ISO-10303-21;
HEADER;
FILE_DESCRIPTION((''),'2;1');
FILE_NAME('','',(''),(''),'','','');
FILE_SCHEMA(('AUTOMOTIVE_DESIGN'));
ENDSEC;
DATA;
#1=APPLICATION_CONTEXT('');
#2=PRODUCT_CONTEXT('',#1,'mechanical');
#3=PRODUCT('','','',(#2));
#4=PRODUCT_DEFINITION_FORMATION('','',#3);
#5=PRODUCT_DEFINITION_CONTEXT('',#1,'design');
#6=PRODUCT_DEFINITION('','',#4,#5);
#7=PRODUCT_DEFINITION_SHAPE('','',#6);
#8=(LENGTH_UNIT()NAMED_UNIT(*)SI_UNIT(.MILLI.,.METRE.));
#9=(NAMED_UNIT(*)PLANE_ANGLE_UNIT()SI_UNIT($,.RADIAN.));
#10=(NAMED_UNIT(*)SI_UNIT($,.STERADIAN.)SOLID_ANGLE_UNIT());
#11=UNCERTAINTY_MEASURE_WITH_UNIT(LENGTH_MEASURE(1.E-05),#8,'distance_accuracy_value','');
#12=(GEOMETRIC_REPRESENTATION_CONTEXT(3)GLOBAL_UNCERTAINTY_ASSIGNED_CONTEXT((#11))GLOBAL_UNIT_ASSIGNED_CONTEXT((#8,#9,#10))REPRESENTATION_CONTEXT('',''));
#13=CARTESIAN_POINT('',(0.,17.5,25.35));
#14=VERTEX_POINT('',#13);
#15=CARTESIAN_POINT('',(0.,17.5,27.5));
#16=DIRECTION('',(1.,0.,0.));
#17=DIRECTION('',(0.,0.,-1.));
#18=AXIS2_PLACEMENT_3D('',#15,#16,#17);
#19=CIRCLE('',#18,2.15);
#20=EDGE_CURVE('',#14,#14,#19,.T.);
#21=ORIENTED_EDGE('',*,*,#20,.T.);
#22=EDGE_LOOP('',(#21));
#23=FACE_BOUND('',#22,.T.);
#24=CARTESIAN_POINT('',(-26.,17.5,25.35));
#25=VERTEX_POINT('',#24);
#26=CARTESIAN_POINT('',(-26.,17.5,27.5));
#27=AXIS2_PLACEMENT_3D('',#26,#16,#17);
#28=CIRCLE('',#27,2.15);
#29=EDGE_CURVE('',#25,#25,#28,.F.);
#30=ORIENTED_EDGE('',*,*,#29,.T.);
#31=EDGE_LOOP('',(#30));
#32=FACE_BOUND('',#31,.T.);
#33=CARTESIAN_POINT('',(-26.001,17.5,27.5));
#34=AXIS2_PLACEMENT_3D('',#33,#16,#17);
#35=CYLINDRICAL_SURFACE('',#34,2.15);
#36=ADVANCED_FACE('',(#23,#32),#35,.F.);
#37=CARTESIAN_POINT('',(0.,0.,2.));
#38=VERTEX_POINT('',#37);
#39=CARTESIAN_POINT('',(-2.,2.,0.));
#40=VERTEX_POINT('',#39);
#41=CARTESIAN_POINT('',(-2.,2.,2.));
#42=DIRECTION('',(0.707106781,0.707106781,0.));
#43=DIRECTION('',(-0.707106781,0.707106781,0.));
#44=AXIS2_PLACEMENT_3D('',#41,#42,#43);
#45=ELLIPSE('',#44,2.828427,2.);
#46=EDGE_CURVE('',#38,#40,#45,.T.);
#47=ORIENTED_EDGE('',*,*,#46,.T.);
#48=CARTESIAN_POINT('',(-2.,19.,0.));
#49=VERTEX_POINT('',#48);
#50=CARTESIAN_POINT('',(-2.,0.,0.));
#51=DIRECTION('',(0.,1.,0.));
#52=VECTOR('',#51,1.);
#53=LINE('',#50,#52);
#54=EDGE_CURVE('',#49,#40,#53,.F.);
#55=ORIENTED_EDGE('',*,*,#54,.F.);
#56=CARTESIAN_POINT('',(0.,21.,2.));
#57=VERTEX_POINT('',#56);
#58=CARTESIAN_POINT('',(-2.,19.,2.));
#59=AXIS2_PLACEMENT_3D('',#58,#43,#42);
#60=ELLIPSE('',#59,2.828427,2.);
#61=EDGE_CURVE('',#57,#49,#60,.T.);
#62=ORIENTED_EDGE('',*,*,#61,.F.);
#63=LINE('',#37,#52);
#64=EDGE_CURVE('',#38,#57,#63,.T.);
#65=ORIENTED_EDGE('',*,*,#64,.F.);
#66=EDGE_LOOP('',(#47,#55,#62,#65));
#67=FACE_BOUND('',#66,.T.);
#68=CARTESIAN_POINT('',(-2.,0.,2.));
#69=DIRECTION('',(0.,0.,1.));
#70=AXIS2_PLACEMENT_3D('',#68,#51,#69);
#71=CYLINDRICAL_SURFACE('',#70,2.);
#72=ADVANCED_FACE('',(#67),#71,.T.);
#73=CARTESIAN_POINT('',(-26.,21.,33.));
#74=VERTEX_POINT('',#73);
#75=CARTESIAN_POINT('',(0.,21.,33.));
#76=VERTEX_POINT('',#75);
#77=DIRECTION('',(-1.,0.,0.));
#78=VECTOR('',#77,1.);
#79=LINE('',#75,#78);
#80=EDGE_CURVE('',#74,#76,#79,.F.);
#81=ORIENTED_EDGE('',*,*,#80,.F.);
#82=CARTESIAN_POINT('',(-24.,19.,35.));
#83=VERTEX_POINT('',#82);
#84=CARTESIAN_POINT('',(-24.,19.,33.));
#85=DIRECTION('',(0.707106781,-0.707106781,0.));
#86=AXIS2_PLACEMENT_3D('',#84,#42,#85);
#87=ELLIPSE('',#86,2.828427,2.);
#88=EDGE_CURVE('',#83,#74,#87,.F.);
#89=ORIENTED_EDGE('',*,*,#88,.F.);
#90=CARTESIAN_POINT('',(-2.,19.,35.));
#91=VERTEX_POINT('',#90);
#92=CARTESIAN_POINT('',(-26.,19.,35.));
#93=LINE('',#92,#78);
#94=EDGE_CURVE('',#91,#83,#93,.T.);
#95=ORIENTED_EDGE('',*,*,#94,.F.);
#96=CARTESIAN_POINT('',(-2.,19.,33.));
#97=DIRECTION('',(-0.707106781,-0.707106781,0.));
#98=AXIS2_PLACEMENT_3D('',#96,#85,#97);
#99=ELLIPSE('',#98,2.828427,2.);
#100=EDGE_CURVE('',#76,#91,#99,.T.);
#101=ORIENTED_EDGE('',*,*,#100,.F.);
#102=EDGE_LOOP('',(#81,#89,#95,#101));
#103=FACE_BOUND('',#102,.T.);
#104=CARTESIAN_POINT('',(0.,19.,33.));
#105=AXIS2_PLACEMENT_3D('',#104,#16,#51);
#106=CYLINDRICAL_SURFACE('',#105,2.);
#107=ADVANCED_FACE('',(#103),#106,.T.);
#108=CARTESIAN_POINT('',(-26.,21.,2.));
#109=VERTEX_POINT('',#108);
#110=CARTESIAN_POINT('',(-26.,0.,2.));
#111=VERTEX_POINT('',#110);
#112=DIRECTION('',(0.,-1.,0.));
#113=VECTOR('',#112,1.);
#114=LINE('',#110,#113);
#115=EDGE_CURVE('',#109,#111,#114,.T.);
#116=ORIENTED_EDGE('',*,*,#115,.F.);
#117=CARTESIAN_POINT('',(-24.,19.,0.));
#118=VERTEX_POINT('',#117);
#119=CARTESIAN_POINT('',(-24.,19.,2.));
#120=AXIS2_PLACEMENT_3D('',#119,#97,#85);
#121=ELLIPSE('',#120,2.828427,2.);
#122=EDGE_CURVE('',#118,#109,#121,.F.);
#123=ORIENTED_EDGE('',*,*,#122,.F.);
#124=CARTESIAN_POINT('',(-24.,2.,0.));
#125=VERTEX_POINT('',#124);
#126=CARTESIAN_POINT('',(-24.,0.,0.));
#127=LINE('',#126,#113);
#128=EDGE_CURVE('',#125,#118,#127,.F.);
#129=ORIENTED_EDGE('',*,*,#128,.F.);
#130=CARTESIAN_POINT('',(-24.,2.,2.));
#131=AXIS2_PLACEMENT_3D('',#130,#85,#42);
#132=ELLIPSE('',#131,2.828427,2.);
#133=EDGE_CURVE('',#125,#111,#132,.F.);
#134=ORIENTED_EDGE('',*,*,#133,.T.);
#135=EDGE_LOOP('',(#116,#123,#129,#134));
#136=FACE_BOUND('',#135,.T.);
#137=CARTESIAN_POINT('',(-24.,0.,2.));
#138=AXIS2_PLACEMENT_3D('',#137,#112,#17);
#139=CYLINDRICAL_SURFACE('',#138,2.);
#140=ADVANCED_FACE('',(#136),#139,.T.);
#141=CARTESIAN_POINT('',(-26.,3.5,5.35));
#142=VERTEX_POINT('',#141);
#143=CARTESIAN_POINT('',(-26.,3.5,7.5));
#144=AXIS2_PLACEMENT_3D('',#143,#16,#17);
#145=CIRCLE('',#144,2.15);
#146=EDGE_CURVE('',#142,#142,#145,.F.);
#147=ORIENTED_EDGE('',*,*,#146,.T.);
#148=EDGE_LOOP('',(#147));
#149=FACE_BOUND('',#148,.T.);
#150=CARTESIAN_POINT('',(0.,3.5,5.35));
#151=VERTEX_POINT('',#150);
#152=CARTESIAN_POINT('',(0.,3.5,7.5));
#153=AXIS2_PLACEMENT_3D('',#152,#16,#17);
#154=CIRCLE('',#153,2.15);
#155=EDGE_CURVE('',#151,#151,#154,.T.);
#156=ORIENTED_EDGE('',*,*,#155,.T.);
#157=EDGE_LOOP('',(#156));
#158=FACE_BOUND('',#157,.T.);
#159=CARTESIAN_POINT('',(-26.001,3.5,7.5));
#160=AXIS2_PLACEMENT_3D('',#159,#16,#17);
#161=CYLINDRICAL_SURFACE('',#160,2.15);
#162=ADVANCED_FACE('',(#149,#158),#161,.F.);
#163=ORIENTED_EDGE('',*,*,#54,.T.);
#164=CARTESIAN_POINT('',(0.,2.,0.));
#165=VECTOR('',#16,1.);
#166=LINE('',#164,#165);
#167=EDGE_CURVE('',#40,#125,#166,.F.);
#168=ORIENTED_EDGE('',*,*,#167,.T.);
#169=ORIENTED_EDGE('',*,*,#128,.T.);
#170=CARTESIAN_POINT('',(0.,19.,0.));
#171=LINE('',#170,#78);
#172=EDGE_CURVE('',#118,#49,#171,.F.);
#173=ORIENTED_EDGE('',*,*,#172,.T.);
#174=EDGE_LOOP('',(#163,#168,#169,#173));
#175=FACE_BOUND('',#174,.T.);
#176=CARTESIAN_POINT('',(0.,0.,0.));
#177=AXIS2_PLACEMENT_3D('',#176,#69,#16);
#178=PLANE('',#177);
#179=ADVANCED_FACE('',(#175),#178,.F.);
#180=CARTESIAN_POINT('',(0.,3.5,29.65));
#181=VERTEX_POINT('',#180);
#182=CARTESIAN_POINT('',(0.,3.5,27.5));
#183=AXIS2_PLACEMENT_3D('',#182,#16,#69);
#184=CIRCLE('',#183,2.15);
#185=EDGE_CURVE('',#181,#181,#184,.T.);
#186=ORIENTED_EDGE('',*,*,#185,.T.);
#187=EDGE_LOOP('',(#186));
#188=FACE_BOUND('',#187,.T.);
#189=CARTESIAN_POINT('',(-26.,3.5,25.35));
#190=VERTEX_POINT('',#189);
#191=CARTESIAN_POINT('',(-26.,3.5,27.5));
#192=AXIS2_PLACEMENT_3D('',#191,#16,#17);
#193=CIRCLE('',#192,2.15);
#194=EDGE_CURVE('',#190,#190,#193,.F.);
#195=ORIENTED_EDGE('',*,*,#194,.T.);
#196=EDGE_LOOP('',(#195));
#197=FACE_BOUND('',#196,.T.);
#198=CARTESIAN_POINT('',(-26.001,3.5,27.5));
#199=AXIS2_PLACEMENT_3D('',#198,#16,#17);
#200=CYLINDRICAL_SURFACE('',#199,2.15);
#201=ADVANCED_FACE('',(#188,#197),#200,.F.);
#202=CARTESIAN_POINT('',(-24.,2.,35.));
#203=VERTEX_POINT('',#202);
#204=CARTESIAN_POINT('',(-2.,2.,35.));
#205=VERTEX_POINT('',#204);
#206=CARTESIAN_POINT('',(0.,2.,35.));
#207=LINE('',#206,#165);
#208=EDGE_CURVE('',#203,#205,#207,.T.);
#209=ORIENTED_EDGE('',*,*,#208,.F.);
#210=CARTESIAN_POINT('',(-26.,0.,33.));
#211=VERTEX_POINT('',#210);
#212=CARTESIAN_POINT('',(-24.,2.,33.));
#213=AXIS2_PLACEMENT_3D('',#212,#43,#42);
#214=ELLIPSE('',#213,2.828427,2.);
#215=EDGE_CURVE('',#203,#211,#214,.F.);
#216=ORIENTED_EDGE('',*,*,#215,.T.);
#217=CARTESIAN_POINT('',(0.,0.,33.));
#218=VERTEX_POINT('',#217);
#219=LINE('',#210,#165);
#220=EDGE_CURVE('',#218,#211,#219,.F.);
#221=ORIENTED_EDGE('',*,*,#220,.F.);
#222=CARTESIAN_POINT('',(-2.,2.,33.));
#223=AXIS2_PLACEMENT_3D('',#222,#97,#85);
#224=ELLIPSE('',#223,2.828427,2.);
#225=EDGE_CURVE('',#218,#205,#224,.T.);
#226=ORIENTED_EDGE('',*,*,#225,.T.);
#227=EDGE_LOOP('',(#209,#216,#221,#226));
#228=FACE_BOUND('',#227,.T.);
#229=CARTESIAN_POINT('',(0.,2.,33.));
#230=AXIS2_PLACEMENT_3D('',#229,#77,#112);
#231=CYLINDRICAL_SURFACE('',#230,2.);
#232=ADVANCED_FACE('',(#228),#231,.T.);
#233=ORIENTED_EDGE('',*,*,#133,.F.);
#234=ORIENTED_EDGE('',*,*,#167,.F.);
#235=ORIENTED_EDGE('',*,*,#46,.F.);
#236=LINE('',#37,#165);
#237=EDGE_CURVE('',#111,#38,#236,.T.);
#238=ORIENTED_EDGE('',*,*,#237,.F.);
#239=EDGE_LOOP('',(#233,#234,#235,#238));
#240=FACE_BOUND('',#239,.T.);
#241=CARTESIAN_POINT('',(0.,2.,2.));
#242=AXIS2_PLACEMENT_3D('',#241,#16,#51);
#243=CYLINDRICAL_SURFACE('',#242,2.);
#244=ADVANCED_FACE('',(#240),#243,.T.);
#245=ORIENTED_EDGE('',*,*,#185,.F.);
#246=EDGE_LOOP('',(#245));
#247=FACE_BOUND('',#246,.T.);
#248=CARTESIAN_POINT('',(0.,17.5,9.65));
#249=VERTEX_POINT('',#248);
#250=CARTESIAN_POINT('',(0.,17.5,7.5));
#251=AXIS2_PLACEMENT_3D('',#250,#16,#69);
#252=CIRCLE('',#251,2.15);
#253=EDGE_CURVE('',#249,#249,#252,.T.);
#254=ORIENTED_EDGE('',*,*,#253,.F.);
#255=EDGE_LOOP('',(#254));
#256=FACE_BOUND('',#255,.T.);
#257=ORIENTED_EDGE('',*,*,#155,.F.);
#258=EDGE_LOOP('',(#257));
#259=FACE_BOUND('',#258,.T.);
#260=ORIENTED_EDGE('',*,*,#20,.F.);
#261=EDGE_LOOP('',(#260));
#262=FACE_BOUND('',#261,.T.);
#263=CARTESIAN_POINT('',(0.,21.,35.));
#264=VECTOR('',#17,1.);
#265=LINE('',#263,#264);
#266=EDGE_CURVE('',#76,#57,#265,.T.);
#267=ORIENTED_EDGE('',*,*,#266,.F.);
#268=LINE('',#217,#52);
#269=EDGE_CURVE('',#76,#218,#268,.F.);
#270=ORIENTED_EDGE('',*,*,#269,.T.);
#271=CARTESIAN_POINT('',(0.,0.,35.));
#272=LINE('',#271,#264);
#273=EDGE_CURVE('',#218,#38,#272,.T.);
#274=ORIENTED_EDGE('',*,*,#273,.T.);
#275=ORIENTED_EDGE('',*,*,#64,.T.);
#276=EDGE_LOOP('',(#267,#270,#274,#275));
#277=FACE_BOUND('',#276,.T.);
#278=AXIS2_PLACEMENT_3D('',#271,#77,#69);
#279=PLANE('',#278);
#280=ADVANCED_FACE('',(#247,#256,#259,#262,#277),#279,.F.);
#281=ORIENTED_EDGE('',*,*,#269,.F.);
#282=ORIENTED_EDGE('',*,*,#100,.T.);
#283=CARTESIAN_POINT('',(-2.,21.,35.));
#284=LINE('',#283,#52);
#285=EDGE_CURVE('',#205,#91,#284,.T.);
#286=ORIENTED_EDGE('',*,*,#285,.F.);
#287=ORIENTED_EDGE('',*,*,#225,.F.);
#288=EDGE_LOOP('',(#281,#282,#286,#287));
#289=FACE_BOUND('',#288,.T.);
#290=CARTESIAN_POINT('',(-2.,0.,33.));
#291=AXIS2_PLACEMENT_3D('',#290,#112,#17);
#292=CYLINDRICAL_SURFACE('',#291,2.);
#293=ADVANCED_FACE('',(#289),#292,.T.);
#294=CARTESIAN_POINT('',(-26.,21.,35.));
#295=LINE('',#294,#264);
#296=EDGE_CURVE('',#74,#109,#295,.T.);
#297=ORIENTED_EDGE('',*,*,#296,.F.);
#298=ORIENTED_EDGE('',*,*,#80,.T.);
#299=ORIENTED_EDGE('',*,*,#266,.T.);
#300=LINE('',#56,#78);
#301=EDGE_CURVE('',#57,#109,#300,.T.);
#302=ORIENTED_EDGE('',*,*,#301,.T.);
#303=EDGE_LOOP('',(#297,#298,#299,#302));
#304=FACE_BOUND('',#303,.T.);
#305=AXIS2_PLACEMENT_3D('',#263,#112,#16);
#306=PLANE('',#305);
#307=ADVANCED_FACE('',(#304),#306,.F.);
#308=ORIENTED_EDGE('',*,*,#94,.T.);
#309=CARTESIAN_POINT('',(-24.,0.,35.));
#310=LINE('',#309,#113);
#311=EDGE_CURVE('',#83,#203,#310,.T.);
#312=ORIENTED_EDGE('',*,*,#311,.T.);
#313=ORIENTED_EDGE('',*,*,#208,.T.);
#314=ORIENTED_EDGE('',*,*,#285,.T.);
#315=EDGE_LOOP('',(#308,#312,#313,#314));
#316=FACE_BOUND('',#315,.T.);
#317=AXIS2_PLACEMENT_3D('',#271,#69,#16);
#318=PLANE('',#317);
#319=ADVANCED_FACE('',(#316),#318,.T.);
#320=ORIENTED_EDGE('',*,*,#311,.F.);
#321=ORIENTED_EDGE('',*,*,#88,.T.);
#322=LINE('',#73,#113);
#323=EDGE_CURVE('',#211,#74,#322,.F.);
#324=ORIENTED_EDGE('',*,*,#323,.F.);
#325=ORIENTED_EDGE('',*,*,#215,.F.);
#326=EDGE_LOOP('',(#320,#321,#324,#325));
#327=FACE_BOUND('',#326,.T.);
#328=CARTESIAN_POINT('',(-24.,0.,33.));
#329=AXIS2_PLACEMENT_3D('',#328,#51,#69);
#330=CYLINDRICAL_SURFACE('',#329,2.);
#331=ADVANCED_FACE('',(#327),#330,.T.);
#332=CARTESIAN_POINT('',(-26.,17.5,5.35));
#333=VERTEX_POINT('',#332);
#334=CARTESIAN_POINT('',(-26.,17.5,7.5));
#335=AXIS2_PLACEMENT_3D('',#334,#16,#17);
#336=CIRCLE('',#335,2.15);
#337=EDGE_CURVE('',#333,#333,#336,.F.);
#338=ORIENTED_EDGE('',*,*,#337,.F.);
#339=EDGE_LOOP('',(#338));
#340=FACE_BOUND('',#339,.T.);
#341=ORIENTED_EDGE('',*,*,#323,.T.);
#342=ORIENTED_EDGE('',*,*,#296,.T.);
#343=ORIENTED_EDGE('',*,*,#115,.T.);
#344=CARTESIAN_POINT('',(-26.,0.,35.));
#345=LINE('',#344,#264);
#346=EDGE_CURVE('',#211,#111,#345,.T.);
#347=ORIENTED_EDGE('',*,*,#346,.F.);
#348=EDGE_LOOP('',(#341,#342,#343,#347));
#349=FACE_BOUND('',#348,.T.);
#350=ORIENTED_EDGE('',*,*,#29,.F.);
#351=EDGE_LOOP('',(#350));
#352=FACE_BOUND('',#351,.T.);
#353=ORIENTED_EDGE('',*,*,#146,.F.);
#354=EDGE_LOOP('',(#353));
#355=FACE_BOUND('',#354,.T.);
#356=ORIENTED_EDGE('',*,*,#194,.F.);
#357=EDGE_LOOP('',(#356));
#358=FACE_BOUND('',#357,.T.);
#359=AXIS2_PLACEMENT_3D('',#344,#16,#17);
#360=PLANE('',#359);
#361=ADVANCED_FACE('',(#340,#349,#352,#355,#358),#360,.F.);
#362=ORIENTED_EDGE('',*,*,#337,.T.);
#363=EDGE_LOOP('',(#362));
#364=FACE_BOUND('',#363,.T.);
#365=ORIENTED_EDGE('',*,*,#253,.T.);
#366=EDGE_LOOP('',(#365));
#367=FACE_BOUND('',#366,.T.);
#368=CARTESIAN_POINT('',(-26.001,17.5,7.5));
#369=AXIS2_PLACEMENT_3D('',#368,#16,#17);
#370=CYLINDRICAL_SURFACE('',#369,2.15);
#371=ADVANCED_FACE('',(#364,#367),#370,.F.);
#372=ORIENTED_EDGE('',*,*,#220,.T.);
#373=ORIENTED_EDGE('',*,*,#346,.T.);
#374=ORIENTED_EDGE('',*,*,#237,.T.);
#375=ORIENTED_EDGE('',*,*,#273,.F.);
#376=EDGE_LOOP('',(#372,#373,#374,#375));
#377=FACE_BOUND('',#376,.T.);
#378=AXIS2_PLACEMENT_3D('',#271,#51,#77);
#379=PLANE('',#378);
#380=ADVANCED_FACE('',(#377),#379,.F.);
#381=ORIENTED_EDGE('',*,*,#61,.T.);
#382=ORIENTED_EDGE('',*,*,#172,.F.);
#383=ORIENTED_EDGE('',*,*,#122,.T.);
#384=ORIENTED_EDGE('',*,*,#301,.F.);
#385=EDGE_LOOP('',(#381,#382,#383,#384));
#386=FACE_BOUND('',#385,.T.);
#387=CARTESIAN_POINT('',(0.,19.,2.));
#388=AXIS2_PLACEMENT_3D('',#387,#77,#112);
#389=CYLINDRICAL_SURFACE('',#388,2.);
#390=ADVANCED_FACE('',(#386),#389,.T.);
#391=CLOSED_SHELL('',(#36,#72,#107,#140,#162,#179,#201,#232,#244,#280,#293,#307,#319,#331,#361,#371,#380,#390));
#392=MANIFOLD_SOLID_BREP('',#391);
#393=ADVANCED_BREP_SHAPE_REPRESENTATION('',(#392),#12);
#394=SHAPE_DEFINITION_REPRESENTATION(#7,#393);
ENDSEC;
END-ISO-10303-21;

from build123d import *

# Parameters (mm, degrees)
SKETCH_1_W          = 26
SKETCH_1_H          = 21
EXTRUDE_1_DEPTH     = 35
CUT_EXTRUDE_1_REACH = 50.394
SKETCH_2_R          = 2.15
FILLET_1_R          = 2


with BuildPart() as part:
    # 草图1 → 凸台-拉伸1 (new body)
    with BuildSketch(Plane.XY):
        with Locations((-13, 10.5)):
            Rectangle(SKETCH_1_W, SKETCH_1_H)
    extrude(amount=EXTRUDE_1_DEPTH)

    # 草图2 → 切除-拉伸1 (cut, up to next)
    with BuildSketch(Plane(origin=(0, 0, 0), x_dir=(0, 0, -1), z_dir=(1, 0, 0)), mode=Mode.PRIVATE) as cut_extrude_1_sk1:
        with Locations((-27.5, 17.5)):
            Circle(SKETCH_2_R)
    cut_extrude_1_tool1 = extrude(cut_extrude_1_sk1.sketch, amount=-CUT_EXTRUDE_1_REACH, mode=Mode.PRIVATE) & part.part
    # 草图2 → 切除-拉伸1 (cut, up to next)
    with BuildSketch(Plane(origin=(0, 0, 0), x_dir=(0, 0, -1), z_dir=(1, 0, 0)), mode=Mode.PRIVATE) as cut_extrude_1_sk2:
        with Locations((-27.5, 3.5)):
            Circle(SKETCH_2_R)
    cut_extrude_1_tool2 = extrude(cut_extrude_1_sk2.sketch, amount=-CUT_EXTRUDE_1_REACH, mode=Mode.PRIVATE) & part.part
    # 草图2 → 切除-拉伸1 (cut, up to next)
    with BuildSketch(Plane(origin=(0, 0, 0), x_dir=(0, 0, -1), z_dir=(1, 0, 0)), mode=Mode.PRIVATE) as cut_extrude_1_sk3:
        with Locations((-7.5, 17.5)):
            Circle(SKETCH_2_R)
    cut_extrude_1_tool3 = extrude(cut_extrude_1_sk3.sketch, amount=-CUT_EXTRUDE_1_REACH, mode=Mode.PRIVATE) & part.part
    # 草图2 → 切除-拉伸1 (cut, up to next)
    with BuildSketch(Plane(origin=(0, 0, 0), x_dir=(0, 0, -1), z_dir=(1, 0, 0)), mode=Mode.PRIVATE) as cut_extrude_1_sk4:
        with Locations((-7.5, 3.5)):
            Circle(SKETCH_2_R)
    cut_extrude_1_tool4 = extrude(cut_extrude_1_sk4.sketch, amount=-CUT_EXTRUDE_1_REACH, mode=Mode.PRIVATE) & part.part
    add(cut_extrude_1_tool1.solids().sort_by_distance((0, 17.5, 27.5))[0], mode=Mode.SUBTRACT)
    add(cut_extrude_1_tool2.solids().sort_by_distance((0, 3.5, 27.5))[0], mode=Mode.SUBTRACT)
    add(cut_extrude_1_tool3.solids().sort_by_distance((0, 17.5, 7.5))[0], mode=Mode.SUBTRACT)
    add(cut_extrude_1_tool4.solids().sort_by_distance((0, 3.5, 7.5))[0], mode=Mode.SUBTRACT)

    # 圆角1
    fillet_1_edges = [part.edges().sort_by_distance(p)[0] for p in [
        (-26, 10.5, 35),
        (-13, 0, 35),
        (0, 10.5, 35),
        (-13, 0, 0),
        (-26, 10.5, 0),
        (-13, 21, 0),
        (0, 10.5, 0),
        (-13, 21, 35),
    ]]
    fillet(fillet_1_edges, radius=FILLET_1_R)


solid = part.part
